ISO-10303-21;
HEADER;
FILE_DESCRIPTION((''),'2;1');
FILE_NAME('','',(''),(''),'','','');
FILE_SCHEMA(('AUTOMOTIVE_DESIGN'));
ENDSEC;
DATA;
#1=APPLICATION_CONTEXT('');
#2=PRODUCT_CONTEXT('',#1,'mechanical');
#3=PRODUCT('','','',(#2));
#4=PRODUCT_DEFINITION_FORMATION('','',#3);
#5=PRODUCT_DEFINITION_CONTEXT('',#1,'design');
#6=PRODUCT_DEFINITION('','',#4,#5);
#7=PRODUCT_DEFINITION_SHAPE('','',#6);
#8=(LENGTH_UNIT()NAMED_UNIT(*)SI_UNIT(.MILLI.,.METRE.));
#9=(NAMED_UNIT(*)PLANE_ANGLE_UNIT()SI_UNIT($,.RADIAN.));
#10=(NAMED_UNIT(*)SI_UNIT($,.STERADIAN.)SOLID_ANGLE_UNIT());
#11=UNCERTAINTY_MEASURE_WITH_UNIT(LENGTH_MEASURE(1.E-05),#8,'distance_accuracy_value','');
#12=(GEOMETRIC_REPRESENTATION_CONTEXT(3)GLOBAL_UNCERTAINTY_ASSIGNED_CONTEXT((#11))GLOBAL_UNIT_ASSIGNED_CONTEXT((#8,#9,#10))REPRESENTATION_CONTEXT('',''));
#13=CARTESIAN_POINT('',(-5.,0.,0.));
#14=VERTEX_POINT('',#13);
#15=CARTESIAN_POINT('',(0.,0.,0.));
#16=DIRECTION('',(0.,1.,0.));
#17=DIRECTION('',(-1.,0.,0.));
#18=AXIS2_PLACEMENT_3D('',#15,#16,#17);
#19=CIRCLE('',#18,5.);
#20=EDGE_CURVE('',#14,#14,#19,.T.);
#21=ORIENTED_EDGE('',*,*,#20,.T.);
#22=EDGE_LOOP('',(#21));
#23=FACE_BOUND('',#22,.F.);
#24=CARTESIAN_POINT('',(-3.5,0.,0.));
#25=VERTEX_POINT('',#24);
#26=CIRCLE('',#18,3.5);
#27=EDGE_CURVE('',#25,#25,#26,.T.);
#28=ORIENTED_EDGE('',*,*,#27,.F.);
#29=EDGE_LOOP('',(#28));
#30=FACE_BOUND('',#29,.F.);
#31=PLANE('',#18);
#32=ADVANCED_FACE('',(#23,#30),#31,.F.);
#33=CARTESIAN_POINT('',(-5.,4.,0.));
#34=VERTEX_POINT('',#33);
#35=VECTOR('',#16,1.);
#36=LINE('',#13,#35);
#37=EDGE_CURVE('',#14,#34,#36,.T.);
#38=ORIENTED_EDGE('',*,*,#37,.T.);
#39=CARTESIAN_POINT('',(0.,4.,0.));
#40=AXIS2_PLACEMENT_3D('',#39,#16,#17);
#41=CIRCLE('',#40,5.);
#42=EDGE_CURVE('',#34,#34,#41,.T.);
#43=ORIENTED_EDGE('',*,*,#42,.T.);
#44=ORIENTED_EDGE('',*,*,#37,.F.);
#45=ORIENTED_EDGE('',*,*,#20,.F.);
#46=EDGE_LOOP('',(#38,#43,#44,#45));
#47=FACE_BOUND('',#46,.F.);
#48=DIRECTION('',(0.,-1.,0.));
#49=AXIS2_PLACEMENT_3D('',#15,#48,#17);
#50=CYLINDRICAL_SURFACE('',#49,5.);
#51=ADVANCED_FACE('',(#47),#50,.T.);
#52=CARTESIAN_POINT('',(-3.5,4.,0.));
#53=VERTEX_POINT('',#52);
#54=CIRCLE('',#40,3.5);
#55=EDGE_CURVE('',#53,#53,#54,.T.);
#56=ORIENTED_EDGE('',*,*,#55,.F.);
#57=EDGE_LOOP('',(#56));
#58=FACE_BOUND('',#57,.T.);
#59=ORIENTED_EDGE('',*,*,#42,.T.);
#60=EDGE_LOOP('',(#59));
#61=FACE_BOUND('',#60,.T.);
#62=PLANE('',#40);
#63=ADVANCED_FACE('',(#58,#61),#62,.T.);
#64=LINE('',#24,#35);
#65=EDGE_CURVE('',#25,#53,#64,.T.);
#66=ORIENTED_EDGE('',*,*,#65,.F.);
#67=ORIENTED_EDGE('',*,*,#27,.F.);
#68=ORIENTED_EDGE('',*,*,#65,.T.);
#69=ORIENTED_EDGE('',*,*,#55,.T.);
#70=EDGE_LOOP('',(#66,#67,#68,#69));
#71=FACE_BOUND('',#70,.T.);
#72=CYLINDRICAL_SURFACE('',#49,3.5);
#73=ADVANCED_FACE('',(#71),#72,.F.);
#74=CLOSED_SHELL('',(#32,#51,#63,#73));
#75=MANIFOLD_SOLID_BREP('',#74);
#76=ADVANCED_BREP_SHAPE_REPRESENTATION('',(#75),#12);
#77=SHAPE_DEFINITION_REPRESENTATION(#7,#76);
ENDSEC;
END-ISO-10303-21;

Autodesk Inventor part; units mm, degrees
ref_plane "YZ Plane" through (0, 0, 0) normal (1, 0, 0) x (0, 1, 0)
ref_plane "XZ Plane" through (0, 0, 0) normal (0, 1, 0) x (-1, 0, 0)
ref_plane "XY Plane" through (0, 0, 0) normal (0, 0, 1) x (1, 0, 0)
sketch "Sketch1" plane through (0, 0, 0) normal (0, 1, 0) x (-1, 0, 0)
  circle A0 centre (0, 0) radius 3.5
  circle A1 centre (0, 0) radius 5
  dimension "d0" = 7
  dimension "d1" = 10
extrude "Extrusion1" add sketch "Sketch1" along normal blind 4
properties part number "spacer"
